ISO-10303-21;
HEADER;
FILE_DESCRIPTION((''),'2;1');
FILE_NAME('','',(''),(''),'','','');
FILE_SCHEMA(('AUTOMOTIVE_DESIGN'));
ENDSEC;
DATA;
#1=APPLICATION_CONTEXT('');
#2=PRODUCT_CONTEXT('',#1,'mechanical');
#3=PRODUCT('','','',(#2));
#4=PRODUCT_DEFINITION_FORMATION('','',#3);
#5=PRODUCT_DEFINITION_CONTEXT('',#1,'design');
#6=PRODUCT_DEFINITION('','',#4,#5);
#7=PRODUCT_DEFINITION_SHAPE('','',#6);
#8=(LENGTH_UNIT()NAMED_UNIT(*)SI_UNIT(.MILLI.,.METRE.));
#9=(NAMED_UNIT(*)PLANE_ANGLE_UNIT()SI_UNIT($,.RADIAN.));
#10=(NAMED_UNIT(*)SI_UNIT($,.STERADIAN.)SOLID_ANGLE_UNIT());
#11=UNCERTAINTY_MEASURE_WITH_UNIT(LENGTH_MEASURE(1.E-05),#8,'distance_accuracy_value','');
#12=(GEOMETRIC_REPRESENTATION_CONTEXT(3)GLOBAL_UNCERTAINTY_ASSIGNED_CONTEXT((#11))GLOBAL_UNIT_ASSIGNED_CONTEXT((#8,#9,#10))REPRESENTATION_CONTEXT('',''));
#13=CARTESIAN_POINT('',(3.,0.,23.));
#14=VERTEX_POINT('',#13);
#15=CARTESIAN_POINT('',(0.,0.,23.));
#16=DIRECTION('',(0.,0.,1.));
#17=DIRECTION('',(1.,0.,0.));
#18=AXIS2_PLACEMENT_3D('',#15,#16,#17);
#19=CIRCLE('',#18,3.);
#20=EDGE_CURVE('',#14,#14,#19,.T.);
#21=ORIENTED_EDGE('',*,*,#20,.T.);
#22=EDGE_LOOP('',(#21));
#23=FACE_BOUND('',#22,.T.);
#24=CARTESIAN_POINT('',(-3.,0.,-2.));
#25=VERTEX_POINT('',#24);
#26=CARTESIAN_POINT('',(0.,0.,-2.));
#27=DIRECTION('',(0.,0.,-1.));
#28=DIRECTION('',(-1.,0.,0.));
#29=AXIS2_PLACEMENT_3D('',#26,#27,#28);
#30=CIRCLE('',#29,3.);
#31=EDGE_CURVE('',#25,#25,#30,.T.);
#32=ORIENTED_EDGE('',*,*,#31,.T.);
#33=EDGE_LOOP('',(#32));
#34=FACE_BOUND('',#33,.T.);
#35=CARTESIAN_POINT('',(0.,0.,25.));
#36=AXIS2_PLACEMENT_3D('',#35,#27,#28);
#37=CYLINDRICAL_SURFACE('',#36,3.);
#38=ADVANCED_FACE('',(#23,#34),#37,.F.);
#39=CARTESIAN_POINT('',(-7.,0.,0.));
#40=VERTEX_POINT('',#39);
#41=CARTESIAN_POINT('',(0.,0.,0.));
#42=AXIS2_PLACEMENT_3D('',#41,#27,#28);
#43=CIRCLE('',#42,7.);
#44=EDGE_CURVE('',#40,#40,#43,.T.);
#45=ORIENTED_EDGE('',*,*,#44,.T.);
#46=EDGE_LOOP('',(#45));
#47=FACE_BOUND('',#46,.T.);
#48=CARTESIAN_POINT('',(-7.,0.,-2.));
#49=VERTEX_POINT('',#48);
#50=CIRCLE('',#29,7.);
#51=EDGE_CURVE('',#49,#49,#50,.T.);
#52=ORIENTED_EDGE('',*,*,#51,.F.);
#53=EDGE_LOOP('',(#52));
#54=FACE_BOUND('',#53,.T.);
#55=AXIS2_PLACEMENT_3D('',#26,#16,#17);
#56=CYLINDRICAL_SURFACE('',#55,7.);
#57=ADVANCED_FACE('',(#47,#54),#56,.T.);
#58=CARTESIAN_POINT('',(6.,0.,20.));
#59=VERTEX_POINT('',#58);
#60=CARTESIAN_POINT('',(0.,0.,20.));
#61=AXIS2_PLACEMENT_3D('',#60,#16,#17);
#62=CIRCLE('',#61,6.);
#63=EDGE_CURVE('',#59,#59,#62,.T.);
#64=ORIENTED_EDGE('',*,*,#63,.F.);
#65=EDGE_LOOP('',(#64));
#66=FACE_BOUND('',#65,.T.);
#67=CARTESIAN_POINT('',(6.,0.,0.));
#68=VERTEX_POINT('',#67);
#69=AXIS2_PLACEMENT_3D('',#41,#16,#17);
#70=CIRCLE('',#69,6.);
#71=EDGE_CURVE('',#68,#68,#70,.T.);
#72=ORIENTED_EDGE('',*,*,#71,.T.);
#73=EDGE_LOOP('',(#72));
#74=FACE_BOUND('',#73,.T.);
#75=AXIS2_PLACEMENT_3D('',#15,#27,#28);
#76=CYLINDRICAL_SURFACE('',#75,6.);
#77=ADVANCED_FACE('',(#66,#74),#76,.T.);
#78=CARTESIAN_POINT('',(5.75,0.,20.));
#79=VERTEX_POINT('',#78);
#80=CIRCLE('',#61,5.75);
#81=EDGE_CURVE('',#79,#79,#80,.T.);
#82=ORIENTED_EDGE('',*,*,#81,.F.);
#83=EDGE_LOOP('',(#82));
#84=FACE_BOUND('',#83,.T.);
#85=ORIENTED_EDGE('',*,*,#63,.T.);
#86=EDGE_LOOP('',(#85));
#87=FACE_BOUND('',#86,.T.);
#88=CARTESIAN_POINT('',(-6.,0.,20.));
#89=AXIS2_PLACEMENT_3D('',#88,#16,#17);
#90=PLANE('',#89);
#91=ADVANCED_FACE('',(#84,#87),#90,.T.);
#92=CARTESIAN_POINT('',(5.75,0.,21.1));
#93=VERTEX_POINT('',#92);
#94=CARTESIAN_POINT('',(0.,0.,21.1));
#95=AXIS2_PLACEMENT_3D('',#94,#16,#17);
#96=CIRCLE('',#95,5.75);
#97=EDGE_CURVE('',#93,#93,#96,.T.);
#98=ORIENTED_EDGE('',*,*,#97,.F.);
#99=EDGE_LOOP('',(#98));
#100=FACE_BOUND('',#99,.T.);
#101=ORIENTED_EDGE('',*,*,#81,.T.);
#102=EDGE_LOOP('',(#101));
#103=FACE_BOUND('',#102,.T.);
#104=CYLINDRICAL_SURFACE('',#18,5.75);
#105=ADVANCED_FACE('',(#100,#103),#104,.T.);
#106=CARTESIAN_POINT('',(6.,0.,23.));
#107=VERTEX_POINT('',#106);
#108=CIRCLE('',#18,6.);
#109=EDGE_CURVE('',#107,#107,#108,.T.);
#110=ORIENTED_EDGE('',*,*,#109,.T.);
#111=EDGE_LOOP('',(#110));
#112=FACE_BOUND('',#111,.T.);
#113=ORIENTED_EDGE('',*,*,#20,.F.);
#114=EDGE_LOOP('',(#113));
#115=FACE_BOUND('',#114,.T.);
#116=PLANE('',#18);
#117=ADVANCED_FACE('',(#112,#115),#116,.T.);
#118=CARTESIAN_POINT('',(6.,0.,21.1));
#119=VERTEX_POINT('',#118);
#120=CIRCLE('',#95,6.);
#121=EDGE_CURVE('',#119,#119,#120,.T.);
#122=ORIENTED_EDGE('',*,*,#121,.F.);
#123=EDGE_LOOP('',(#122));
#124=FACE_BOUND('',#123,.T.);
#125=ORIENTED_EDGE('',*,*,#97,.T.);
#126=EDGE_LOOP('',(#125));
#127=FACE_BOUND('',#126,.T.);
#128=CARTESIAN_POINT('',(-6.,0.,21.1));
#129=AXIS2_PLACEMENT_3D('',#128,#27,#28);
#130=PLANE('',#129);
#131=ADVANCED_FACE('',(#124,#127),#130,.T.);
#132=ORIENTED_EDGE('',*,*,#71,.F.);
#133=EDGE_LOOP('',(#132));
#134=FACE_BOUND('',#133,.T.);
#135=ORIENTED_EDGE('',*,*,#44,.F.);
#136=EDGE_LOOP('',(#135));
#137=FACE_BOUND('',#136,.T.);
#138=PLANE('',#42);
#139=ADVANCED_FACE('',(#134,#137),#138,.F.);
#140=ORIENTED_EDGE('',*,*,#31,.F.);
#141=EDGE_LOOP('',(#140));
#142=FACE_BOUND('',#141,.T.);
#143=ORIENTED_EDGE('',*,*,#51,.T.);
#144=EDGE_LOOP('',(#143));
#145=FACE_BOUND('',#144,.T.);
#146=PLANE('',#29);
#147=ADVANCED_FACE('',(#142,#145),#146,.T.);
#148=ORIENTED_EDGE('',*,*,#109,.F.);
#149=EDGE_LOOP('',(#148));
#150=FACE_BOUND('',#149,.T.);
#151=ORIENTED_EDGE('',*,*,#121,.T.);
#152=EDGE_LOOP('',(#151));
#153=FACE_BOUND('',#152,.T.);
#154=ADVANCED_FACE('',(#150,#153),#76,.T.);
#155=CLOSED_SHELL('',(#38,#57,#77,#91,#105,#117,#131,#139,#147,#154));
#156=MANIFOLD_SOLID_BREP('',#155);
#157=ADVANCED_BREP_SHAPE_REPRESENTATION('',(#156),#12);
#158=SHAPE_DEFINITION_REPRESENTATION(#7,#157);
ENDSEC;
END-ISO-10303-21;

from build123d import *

# Parameters (mm, degrees)
SKETCH_1_R          = 6
EXTRUDE_1_DEPTH     = 23
SKETCH_2_R          = 7
EXTRUDE_2_DEPTH     = 2
SKETCH_3_W          = 0.25
SKETCH_3_H          = 1.1
SKETCH_4_R          = 3
CUT_EXTRUDE_1_DEPTH = 27


with BuildPart() as part:
    # 草图1 → 凸台-拉伸1 (new body)
    with BuildSketch(Plane.XY):
        Circle(SKETCH_1_R)
    extrude(amount=EXTRUDE_1_DEPTH)

    # 草图2 → 凸台-拉伸2 (add)
    with BuildSketch(Plane(origin=(0, 0, 0), x_dir=(-1, 0, 0), z_dir=(0, 0, -1))):
        Circle(SKETCH_2_R)
    extrude(amount=EXTRUDE_2_DEPTH)

    # 草图3 → 切除-旋转1 (revolve, cut)
    with BuildSketch(Plane(origin=(0, 0, 0), x_dir=(1, 0, 0), z_dir=(0, 1, 0)), mode=Mode.PRIVATE) as cut_revolve_1_sk:
        with Locations((-5.875, -20.55)):
            Rectangle(SKETCH_3_W, SKETCH_3_H)
    revolve(cut_revolve_1_sk.sketch.rotate(Axis((0, 0, 23), (0, 0, -1)), 180), axis=Axis((0, 0, 23), (0, 0, -1)), mode=Mode.SUBTRACT)

    # 草图4 → 切除-拉伸1 (cut)
    with BuildSketch(Plane(origin=(0, 0, -2), x_dir=(-1, 0, 0), z_dir=(0, 0, -1))):
        Circle(SKETCH_4_R)
    extrude(amount=-CUT_EXTRUDE_1_DEPTH, mode=Mode.SUBTRACT)


solid = part.part
